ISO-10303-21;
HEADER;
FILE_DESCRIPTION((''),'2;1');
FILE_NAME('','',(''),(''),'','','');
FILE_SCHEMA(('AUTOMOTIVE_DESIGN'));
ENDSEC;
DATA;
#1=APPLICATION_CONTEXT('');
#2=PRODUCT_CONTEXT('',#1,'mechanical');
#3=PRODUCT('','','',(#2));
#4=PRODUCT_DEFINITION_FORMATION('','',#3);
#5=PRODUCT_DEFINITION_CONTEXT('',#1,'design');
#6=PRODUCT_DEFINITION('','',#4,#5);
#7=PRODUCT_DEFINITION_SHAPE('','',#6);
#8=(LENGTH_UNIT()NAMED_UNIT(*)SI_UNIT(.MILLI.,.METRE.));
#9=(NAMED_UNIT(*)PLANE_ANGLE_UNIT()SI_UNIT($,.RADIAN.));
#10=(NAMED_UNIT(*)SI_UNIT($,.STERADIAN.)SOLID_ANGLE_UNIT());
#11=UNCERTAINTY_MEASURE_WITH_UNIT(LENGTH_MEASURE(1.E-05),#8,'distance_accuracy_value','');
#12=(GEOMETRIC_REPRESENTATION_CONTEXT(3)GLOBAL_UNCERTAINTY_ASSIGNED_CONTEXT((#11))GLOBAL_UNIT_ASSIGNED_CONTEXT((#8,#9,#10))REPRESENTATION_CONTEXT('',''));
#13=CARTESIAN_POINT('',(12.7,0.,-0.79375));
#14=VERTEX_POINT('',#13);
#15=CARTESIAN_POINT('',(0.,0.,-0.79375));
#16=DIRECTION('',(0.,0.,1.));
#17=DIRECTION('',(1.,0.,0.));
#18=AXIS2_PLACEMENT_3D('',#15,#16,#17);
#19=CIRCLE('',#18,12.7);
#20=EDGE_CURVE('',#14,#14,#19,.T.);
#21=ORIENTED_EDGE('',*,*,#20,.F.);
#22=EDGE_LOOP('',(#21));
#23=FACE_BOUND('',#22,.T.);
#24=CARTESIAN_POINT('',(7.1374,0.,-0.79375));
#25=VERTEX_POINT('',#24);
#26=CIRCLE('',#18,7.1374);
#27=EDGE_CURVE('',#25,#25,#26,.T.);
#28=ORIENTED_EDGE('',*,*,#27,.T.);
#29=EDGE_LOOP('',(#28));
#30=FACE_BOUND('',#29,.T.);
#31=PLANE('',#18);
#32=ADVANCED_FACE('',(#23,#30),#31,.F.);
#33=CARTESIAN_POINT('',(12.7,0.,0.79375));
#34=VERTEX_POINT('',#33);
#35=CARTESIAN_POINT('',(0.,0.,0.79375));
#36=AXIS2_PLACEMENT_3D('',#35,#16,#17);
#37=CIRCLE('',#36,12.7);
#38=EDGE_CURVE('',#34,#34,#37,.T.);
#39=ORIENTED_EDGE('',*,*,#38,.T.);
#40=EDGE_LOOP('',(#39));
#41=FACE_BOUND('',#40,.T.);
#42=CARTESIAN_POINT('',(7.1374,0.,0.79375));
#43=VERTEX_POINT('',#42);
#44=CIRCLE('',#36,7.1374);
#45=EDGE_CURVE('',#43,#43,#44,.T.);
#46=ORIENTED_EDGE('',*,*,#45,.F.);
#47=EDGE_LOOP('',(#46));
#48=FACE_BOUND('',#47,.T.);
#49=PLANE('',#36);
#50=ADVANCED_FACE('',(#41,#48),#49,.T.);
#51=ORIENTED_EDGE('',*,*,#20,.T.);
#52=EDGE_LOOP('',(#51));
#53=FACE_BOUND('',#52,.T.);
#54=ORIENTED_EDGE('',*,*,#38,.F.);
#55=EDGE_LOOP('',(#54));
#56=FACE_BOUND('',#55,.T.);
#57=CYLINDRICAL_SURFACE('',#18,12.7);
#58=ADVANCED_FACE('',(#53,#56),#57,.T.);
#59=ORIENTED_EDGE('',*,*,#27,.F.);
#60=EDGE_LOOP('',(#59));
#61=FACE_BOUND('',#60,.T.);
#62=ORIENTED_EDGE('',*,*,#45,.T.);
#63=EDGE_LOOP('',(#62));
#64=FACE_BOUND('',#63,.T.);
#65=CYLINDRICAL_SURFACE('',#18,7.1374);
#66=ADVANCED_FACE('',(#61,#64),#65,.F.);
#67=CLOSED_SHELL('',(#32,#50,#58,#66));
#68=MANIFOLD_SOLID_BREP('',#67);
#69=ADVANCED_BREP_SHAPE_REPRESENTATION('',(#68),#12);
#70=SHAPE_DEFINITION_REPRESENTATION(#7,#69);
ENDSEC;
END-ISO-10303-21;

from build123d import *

# Parameters (mm, degrees)
BOSS_EXTRUDE1_DEPTH      = 0.79375
BOSS_EXTRUDE1_DEPTH_BACK = 0.79375
SKETCH3_R                = 12.7
SKETCH3_R_2              = 7.1374


with BuildPart() as part:
    # Sketch3 → Boss-Extrude1 (new, two sides: drawn at the far end of the back side and taken through both)
    with BuildSketch(Plane.XY.offset(-BOSS_EXTRUDE1_DEPTH_BACK)):
        Circle(SKETCH3_R)
        Circle(SKETCH3_R_2, mode=Mode.SUBTRACT)
    extrude(amount=BOSS_EXTRUDE1_DEPTH + BOSS_EXTRUDE1_DEPTH_BACK)


solid = part.part
